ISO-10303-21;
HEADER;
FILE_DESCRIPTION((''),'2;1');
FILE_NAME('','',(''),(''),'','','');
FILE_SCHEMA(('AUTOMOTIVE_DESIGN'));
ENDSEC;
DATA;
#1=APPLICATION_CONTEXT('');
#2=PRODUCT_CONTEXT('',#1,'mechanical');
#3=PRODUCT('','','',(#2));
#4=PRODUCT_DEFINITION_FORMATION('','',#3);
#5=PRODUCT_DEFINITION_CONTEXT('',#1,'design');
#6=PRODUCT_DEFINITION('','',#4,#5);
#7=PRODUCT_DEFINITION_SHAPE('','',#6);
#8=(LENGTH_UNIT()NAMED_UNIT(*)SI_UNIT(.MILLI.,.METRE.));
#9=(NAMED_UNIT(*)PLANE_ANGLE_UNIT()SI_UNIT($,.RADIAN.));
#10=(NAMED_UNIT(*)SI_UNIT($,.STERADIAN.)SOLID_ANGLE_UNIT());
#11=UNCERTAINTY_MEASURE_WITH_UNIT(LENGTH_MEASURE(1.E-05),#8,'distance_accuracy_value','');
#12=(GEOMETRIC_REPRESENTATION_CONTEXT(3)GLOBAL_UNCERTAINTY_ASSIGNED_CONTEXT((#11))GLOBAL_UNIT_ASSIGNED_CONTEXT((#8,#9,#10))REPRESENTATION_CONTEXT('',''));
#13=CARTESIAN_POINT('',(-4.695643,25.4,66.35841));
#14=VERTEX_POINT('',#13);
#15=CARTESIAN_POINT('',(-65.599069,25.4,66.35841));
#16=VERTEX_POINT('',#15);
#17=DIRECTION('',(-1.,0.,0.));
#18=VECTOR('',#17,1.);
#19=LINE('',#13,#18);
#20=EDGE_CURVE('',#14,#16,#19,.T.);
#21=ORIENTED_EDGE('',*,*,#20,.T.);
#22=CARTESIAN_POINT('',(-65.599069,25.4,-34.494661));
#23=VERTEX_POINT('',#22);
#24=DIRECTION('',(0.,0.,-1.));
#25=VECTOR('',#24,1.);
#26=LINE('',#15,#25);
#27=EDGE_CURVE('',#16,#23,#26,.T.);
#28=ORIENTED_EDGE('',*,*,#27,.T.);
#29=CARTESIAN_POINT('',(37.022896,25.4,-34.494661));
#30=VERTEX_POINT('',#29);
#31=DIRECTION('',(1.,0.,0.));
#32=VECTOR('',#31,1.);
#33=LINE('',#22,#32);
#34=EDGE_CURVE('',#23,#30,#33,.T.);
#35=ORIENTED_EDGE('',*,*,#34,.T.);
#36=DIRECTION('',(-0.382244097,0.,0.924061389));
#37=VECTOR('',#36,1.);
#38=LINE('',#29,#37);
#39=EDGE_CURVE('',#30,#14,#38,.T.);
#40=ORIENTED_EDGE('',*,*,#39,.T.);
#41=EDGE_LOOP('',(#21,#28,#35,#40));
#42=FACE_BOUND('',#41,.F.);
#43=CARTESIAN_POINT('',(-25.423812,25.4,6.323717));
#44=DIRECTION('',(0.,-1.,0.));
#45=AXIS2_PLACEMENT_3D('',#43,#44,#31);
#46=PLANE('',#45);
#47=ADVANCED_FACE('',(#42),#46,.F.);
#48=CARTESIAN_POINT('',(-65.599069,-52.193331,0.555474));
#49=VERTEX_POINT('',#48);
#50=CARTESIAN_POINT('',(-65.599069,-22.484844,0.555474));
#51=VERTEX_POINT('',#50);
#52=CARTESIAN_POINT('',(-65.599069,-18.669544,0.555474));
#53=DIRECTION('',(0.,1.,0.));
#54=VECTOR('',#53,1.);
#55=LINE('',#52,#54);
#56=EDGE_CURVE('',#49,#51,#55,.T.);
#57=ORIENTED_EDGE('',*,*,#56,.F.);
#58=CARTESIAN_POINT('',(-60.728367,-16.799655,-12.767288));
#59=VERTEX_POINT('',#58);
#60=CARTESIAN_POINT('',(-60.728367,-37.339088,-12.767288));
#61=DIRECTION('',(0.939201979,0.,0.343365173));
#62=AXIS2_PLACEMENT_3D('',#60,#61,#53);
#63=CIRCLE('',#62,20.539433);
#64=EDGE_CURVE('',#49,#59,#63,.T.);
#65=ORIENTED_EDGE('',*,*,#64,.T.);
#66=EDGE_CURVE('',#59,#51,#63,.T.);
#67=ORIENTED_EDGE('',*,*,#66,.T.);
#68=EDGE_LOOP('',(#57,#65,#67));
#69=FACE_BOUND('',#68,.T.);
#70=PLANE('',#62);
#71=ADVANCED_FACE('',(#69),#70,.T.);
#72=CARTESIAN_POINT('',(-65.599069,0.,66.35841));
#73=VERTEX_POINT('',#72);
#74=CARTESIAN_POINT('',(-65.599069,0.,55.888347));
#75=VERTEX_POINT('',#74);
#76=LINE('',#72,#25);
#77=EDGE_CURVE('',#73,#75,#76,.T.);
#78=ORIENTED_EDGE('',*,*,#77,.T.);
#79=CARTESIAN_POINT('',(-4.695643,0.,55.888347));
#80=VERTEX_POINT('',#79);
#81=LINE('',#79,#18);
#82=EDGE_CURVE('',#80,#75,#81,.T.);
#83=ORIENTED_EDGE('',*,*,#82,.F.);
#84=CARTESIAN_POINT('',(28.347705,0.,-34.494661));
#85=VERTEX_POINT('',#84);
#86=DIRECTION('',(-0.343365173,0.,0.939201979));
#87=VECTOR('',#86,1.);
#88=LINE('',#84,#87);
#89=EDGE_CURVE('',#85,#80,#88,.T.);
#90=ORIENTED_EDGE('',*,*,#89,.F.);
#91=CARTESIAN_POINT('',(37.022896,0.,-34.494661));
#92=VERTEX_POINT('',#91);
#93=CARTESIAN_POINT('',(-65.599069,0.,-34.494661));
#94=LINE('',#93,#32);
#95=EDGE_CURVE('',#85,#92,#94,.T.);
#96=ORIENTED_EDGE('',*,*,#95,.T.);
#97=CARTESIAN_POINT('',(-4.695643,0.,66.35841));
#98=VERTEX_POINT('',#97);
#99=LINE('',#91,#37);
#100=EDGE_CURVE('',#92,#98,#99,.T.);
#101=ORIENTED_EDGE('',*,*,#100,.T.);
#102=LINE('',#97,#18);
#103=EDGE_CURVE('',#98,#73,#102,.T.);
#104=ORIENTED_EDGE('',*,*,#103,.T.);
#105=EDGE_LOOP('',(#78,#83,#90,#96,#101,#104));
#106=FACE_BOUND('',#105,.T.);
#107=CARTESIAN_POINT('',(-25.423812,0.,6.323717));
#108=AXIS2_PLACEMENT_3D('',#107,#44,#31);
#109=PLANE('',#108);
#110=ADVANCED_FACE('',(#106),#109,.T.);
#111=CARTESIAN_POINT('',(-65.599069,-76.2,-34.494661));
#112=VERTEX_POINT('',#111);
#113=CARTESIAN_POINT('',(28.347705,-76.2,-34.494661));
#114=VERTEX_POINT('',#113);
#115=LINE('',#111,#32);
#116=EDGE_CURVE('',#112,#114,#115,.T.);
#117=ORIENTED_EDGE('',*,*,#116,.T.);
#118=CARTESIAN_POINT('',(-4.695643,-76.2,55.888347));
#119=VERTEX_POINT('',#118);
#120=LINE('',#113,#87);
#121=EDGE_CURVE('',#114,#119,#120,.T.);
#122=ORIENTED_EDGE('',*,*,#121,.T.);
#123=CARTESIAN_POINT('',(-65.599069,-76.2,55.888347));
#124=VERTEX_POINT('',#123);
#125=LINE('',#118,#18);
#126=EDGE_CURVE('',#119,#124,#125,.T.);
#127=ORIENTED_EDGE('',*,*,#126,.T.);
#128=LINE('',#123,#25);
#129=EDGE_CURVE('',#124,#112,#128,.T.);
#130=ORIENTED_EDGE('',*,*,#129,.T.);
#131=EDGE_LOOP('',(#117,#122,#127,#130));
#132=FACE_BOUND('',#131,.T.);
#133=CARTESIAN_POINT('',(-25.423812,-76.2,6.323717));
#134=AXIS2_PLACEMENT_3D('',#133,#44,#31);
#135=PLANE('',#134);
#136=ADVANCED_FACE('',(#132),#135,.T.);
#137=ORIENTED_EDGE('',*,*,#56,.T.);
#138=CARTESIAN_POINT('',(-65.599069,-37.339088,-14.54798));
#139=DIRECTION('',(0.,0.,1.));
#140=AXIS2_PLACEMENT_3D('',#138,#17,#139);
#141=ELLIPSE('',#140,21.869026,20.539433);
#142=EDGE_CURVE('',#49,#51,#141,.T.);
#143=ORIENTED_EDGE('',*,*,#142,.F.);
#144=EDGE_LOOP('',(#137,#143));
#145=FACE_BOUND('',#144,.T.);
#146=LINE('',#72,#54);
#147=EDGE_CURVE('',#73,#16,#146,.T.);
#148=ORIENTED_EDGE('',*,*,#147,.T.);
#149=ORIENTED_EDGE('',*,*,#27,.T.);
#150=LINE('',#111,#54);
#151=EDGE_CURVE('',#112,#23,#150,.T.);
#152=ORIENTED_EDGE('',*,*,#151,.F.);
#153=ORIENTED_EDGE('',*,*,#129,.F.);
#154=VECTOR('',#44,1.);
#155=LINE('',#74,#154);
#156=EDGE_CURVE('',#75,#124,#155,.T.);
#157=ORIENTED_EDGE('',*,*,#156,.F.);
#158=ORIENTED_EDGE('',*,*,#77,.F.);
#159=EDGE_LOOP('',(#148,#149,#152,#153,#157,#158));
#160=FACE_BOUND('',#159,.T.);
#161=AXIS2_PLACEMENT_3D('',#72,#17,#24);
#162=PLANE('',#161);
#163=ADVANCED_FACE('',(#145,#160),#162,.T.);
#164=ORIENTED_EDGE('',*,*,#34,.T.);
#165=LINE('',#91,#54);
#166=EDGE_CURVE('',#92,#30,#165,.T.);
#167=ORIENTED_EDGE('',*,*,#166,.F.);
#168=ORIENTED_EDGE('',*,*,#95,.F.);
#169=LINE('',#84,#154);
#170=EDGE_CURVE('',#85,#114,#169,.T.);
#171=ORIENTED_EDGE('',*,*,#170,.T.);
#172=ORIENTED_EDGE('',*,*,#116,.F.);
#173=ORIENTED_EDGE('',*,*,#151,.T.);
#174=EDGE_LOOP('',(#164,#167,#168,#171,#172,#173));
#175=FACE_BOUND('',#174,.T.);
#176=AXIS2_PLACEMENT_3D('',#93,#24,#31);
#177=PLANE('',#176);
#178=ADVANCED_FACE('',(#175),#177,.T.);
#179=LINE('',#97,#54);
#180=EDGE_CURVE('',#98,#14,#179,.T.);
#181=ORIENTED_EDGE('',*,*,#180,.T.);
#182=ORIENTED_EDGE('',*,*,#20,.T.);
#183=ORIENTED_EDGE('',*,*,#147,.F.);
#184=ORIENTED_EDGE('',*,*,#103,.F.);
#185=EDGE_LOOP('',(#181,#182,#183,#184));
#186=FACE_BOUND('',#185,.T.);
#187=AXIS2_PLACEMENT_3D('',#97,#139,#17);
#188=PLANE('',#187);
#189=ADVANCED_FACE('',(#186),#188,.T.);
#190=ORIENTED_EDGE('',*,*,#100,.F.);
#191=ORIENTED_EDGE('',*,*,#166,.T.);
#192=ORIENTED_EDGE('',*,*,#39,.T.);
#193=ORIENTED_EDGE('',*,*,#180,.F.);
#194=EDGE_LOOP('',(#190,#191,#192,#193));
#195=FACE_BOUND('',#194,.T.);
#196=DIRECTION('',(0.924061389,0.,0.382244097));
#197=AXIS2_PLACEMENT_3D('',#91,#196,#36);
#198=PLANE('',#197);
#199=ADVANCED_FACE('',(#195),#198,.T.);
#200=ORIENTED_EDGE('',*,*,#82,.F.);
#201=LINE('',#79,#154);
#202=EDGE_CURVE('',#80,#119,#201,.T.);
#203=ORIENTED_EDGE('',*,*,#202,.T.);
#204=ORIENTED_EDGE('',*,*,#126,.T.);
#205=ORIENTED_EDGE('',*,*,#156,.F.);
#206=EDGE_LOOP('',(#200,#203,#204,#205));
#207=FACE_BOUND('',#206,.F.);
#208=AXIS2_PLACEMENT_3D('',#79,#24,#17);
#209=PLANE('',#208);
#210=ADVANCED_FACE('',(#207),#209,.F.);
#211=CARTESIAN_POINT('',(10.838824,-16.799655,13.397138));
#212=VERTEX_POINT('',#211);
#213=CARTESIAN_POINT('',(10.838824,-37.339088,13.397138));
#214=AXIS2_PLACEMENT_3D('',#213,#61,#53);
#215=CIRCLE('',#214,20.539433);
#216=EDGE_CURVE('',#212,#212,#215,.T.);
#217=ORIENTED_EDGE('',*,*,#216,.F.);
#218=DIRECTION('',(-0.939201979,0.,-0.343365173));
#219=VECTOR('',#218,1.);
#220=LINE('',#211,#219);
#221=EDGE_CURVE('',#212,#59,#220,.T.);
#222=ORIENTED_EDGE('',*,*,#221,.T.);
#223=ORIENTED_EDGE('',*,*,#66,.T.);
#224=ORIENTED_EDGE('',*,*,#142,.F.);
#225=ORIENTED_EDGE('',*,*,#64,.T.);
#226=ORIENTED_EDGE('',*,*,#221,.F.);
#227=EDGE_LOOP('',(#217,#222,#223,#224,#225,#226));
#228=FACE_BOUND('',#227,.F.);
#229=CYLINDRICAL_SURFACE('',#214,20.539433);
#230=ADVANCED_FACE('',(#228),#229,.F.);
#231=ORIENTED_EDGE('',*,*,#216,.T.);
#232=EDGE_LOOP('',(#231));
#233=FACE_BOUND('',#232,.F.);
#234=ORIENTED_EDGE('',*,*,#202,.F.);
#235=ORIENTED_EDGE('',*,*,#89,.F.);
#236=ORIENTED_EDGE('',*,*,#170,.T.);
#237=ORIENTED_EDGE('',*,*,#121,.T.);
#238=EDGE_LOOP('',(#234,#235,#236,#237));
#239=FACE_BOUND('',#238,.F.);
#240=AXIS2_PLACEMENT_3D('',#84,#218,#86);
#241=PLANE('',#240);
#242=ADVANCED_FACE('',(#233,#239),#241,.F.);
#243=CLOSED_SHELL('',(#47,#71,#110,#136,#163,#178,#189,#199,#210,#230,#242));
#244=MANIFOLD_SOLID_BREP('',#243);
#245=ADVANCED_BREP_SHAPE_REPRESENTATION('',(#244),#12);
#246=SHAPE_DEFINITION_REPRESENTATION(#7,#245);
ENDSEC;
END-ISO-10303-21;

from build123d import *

# Parameters (mm, degrees)
F1_DEPTH = 76.2
F2_DEPTH = 25.4
F3_R     = 20.5394325034
F4_DEPTH = 76.2


with BuildPart() as f1:
    # F0 (on Front) → F1 (new body)
    with BuildSketch(Plane.XZ):
        Polygon((-4.6956427395, 55.8883473277), (-65.5990689993, 55.8883473277), (-65.5990689993, -34.4946607947), (28.3477045596, -34.4946607947), align=None)
    extrude(amount=F1_DEPTH)

    # F0 (on Front) → F2 (join)
    with BuildSketch(Plane.XZ):
        Polygon((-4.6956427395, 55.8883473277), (-65.5990689993, 55.8883473277), (-65.5990689993, -34.4946607947), (28.3477045596, -34.4946607947), align=None)
        Polygon((-65.5990689993, 66.358409822), (-65.5990689993, 55.8883473277), (-4.6956427395, 55.8883473277), (28.3477045596, -34.4946607947), (37.022896111, -34.4946607947), (-4.6956427395, 66.358409822), align=None)
    extrude(amount=-F2_DEPTH)

    # F3 (on face) → F4 (cut)
    with BuildSketch(Plane(origin=(13.8813630625, 0, 5.0749218264), x_dir=(0, 1, 0), z_dir=(0.9392019794, 0, 0.3433651727))):
        with Locations((-37.3390875757, 8.860943839)):
            Circle(F3_R)
    extrude(amount=-F4_DEPTH, mode=Mode.SUBTRACT)


solid = f1.part
